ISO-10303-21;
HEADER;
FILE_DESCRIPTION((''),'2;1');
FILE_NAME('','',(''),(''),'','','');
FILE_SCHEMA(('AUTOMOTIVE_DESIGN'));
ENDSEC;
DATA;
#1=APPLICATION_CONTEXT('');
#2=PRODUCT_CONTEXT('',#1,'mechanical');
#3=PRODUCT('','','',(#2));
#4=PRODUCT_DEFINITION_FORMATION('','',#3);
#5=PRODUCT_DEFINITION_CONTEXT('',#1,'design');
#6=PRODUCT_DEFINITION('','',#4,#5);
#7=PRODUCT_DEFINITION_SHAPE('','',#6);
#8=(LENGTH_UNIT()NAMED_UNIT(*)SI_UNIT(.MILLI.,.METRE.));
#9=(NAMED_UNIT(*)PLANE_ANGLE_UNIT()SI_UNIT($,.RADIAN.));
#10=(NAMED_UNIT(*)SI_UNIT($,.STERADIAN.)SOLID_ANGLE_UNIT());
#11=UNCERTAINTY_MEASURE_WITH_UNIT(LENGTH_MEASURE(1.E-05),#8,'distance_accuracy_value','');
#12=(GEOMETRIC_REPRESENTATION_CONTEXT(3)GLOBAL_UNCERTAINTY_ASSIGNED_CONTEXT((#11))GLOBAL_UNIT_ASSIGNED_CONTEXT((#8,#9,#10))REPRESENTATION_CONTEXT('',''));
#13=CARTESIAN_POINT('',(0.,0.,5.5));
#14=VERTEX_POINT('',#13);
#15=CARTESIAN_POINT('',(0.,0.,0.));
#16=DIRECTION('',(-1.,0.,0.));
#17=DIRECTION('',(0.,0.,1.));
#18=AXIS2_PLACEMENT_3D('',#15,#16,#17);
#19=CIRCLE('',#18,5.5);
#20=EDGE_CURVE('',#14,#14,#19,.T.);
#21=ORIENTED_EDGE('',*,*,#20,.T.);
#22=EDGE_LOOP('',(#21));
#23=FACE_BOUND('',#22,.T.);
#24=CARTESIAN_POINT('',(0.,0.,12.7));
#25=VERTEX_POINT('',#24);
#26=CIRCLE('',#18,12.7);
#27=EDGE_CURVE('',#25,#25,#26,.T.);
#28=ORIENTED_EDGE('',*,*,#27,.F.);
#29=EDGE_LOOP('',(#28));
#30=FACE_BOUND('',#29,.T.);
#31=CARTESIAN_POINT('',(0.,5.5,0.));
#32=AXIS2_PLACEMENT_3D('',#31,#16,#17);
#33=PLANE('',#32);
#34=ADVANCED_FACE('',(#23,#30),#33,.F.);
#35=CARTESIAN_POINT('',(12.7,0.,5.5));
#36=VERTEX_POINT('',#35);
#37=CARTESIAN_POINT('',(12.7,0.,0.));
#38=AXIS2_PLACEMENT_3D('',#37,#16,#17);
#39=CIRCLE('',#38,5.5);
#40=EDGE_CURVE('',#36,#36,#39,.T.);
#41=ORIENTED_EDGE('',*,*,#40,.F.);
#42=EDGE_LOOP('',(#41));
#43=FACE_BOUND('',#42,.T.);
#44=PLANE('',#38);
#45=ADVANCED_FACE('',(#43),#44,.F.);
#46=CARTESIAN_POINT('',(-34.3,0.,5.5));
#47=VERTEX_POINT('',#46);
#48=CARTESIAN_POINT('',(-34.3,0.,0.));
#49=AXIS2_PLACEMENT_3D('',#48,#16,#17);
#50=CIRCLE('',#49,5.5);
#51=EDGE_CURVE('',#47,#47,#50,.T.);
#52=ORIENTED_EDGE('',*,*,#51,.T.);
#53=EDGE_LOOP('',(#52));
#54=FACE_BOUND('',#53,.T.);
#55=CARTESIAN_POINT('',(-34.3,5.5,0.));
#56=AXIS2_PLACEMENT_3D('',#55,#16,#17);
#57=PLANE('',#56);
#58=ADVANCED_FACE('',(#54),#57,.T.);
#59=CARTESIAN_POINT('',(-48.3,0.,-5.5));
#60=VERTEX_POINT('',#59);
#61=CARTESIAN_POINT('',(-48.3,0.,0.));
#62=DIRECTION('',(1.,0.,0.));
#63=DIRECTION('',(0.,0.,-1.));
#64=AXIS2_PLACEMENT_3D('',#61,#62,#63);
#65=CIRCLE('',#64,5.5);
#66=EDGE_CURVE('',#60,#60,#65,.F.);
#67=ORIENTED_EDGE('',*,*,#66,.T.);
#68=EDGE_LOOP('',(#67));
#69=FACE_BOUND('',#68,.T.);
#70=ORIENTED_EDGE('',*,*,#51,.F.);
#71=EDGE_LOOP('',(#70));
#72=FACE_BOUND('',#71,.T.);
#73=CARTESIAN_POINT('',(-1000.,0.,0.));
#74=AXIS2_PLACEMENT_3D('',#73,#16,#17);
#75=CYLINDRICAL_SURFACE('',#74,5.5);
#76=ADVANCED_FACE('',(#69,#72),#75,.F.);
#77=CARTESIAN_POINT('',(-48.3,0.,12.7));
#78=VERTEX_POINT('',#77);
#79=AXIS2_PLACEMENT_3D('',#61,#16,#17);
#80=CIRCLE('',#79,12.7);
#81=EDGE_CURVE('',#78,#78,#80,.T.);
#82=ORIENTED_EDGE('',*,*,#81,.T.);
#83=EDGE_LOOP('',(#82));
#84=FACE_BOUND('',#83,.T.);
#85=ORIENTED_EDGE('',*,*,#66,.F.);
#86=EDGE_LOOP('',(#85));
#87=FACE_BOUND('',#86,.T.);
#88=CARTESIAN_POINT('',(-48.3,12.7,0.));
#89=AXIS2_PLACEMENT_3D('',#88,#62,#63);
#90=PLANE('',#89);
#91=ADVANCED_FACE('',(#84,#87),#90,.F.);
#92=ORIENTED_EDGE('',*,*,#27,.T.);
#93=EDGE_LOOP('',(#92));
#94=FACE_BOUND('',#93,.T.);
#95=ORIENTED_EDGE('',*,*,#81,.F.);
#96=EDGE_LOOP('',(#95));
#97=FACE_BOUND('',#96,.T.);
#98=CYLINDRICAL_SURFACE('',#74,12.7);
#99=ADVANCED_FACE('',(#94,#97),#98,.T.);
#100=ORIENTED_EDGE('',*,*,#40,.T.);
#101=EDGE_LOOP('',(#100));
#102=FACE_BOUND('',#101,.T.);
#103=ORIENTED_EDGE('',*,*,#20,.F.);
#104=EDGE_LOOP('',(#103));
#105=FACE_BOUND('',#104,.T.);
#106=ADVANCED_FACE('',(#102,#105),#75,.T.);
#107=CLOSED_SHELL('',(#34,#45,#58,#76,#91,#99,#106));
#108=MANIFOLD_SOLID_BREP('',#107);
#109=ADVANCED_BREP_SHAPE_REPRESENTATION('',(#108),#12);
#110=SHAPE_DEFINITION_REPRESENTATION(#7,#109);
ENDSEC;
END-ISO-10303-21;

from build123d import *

# Parameters (mm, degrees)
SOCKET_1_SKETCH_W = 15
SOCKET_1_SKETCH_H = 5.5


with BuildPart() as part:
    # CV_Nuvair Sketch → CV_Nuvair (revolve)
    with BuildSketch(Plane.XY):
        Polygon((12.7, 0), (12.7, 5.5), (0, 5.5), (0, 12.7), (-48.3, 12.7), (-48.3, 0), align=None)
    revolve(axis=Axis((-1000, 0, 0), (1, 0, 0)))

    # Socket 1 Sketch → Socket 1 (revolve, cut)
    with BuildSketch(Plane.XY):
        with Locations((-41.8, 2.75)):
            Rectangle(SOCKET_1_SKETCH_W, SOCKET_1_SKETCH_H)
    revolve(axis=Axis((-1000, 0, 0), (1, 0, 0)), mode=Mode.SUBTRACT)


solid = part.part
